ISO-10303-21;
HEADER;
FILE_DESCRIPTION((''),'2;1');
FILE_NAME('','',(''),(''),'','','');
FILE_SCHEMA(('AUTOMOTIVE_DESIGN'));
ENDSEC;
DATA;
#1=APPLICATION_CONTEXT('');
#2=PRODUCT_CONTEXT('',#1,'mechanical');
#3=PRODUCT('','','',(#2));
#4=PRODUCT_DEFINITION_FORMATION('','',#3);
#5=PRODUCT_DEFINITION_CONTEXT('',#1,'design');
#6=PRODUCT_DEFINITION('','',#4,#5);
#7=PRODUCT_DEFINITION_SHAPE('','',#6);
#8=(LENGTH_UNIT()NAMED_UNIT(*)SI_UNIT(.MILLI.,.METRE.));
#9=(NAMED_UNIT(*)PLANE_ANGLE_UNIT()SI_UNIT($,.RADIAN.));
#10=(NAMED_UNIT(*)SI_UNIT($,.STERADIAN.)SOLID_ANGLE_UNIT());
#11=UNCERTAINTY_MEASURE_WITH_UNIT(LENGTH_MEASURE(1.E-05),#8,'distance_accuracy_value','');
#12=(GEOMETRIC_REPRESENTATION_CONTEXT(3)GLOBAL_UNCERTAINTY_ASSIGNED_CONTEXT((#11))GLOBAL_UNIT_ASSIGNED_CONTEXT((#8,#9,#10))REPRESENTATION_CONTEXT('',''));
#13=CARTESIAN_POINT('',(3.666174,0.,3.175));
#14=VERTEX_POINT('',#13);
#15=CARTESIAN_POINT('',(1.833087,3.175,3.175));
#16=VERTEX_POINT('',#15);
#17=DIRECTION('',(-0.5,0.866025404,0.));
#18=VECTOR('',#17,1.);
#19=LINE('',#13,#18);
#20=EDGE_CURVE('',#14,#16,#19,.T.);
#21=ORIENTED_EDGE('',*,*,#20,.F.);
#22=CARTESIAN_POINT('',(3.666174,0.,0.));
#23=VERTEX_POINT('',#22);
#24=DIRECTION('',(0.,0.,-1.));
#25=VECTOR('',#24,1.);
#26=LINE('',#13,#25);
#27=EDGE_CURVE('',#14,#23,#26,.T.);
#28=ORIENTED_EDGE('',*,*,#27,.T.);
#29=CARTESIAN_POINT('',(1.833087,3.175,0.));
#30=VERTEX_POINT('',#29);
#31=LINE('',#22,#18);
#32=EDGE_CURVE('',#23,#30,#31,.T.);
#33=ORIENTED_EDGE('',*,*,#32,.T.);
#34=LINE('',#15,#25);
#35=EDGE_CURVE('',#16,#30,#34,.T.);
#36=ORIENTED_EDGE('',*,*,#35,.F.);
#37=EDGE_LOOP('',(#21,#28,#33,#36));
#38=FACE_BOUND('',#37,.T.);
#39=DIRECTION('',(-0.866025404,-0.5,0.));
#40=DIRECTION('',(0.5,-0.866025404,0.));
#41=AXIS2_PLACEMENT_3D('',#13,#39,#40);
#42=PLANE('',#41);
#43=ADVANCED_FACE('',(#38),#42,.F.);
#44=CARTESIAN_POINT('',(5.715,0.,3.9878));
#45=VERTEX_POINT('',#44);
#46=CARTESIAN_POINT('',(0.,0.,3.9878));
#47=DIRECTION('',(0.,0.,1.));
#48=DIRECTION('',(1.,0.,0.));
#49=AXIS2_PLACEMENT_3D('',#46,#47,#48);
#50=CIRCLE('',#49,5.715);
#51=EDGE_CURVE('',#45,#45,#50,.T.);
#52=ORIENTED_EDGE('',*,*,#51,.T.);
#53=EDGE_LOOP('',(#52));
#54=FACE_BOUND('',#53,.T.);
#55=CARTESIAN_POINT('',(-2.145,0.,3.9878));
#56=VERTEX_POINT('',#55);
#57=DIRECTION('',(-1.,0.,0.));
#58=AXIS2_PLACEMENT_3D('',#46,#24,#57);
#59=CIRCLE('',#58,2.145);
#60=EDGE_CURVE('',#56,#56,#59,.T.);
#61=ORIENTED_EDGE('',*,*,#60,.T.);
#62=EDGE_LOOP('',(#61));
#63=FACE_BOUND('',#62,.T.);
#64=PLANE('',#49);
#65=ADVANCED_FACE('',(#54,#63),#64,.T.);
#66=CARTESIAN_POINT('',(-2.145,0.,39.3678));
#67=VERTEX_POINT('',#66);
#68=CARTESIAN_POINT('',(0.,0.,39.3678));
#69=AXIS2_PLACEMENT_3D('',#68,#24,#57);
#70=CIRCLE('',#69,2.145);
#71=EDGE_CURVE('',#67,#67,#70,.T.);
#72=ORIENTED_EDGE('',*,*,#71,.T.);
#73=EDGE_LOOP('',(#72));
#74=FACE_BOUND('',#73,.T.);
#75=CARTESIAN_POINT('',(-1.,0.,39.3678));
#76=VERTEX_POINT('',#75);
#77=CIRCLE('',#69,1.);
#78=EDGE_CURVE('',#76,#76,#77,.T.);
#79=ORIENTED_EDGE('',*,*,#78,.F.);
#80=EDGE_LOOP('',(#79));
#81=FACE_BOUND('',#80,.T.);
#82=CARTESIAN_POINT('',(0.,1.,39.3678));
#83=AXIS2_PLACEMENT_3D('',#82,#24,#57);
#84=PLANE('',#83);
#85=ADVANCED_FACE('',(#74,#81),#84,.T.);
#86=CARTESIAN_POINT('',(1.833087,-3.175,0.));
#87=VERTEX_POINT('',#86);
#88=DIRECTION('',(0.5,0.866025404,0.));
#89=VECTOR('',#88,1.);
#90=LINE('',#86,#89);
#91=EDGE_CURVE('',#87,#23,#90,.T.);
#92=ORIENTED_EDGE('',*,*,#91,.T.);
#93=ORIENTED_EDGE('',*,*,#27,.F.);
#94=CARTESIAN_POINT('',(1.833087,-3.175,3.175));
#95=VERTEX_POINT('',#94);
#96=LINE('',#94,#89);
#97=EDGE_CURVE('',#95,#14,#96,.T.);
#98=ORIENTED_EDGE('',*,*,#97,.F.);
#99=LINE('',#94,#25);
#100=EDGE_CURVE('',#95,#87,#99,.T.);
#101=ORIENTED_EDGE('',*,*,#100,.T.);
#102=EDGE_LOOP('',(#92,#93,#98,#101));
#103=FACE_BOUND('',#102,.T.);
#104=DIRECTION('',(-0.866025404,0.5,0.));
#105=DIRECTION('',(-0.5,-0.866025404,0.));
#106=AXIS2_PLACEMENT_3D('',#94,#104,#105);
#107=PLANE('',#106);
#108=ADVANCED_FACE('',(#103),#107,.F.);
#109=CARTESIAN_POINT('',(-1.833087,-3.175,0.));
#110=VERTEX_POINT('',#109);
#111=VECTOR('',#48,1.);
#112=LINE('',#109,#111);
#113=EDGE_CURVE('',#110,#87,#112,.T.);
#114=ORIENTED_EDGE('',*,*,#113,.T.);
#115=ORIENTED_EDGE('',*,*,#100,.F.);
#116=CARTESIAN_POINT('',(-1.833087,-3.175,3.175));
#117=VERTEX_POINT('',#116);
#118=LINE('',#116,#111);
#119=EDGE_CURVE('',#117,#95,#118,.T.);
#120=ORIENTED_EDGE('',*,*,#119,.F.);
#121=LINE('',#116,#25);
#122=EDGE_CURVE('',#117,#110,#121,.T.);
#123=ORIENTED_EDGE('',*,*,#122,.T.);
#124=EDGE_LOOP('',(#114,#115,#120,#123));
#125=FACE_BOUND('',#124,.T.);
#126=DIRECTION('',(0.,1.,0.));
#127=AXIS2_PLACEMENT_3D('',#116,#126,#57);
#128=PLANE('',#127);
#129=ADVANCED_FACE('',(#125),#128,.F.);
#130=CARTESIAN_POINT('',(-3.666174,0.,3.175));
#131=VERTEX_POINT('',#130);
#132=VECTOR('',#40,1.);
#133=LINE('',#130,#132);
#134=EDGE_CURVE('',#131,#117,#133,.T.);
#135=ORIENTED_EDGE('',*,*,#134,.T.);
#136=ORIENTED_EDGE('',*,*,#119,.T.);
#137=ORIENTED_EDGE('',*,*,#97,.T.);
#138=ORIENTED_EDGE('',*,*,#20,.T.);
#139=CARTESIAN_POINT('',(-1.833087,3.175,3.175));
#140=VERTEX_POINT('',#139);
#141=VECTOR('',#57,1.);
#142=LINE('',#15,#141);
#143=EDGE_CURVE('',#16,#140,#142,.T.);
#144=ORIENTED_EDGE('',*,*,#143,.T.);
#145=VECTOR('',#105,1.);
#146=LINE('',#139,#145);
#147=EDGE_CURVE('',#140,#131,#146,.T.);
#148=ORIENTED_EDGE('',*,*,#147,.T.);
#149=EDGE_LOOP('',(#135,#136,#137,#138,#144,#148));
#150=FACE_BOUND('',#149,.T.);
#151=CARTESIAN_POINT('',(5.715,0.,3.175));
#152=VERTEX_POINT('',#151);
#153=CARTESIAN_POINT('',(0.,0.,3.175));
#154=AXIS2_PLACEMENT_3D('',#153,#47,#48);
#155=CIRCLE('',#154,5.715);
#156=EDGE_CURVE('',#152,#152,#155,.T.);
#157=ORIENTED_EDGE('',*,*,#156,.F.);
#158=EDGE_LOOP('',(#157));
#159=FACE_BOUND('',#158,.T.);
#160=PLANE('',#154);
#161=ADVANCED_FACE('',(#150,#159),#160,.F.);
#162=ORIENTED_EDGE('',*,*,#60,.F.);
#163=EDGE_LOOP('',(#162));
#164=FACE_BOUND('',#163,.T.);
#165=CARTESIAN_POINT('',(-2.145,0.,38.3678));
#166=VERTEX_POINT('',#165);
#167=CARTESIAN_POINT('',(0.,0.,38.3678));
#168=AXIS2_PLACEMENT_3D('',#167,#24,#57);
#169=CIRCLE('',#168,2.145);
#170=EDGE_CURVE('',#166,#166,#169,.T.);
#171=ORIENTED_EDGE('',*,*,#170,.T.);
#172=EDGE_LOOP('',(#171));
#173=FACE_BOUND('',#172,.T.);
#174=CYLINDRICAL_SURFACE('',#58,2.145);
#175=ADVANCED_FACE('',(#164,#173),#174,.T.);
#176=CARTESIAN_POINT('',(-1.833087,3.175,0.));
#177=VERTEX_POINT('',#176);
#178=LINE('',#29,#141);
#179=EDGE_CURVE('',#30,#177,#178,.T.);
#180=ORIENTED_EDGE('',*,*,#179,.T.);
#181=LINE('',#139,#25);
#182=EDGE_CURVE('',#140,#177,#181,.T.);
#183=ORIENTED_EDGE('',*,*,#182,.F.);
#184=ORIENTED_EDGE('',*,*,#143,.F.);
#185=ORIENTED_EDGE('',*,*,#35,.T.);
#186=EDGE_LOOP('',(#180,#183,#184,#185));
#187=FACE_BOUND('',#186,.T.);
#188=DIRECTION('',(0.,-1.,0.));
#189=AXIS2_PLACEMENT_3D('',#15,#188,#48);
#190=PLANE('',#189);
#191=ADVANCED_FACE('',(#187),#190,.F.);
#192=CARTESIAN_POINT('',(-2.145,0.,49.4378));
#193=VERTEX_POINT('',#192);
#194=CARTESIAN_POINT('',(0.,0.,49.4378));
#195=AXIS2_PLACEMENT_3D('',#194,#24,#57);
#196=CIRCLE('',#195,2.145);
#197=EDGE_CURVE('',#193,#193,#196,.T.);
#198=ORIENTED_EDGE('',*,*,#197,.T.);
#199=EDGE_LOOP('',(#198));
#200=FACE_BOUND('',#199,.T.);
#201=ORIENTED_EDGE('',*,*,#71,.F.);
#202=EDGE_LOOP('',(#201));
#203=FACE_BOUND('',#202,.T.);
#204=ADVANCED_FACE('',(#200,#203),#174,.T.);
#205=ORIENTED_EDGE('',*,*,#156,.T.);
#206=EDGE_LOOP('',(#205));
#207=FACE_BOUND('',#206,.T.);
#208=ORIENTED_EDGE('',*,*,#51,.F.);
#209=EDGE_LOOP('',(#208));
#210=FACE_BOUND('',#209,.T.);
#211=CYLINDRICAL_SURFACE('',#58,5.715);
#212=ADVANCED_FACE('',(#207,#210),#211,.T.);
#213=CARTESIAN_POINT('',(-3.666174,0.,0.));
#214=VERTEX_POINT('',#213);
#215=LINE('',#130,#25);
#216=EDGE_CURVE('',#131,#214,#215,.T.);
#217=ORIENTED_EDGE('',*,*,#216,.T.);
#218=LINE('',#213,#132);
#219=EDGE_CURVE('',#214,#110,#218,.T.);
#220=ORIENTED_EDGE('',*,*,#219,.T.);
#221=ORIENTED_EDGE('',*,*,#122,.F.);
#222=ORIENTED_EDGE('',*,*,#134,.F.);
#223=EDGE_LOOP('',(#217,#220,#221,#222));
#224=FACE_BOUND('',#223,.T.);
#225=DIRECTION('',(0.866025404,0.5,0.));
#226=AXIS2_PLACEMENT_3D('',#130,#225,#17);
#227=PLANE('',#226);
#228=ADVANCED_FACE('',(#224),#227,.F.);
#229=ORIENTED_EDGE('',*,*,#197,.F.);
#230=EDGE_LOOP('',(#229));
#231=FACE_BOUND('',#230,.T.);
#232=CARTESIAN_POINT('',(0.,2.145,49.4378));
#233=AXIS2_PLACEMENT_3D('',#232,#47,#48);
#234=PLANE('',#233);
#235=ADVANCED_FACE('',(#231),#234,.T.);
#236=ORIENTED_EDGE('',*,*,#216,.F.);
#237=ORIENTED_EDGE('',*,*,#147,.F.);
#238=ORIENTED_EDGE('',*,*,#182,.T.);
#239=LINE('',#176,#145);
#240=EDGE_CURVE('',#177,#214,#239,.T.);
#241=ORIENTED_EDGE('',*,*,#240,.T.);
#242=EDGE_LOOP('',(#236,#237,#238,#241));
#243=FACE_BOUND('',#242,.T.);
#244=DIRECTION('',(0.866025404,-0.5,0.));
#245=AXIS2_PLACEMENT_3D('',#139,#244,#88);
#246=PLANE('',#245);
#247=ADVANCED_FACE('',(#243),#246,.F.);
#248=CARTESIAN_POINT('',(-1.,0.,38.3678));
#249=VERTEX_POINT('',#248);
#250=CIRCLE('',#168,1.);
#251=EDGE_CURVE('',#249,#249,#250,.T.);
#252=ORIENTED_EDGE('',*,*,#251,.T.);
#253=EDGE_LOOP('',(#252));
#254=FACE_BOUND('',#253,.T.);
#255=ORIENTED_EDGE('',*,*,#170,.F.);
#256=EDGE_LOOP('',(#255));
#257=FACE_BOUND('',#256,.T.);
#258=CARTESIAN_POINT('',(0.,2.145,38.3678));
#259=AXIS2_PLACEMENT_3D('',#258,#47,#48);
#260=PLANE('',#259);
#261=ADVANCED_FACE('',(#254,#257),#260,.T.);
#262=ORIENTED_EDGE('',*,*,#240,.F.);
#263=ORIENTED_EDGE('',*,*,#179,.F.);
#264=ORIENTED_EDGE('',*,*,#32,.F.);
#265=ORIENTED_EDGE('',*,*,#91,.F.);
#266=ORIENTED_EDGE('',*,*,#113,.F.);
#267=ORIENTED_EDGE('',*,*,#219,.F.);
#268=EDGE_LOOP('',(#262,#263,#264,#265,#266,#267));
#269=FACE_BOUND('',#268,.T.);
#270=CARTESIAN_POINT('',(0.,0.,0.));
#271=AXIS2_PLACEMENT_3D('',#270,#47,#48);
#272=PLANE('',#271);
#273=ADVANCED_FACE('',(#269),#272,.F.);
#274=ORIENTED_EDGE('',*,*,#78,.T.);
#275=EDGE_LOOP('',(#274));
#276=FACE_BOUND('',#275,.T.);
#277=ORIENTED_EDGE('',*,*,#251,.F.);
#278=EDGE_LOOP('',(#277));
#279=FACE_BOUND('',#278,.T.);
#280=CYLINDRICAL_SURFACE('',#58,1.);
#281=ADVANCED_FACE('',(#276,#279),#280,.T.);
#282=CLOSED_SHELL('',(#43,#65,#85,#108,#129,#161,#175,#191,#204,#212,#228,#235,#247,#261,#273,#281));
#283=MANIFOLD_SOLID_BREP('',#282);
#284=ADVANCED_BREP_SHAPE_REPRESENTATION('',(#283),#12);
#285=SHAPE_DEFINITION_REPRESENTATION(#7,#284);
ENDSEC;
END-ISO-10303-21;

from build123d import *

# Parameters (mm, degrees)
BOSS_EXTRUDE1_DEPTH = 3.175
SKETCH2_R           = 5.715
BOSS_EXTRUDE2_DEPTH = 0.8128


with BuildPart() as part:
    # Sketch1 → Boss-Extrude1 (new body)
    with BuildSketch(Plane.XY):
        Polygon((3.666174209, 0), (1.833087105, 3.175), (-1.833087105, 3.175), (-3.666174209, 0), (-1.833087105, -3.175), (1.833087105, -3.175), align=None)
    extrude(amount=BOSS_EXTRUDE1_DEPTH)

    # Sketch2 → Boss-Extrude2 (add)
    with BuildSketch(Plane.XY.offset(3.175)):
        Circle(SKETCH2_R)
    extrude(amount=BOSS_EXTRUDE2_DEPTH)

    # Sketch3 → Revolve1 (revolve)
    with BuildSketch(Plane(origin=(0, 0, 0), x_dir=(0, 0, -1), z_dir=(1, 0, 0)), mode=Mode.PRIVATE) as revolve1_sk:
        Polygon((-3.9878, 0), (-49.4378, 0), (-49.4378, 2.145), (-39.3678, 2.145), (-39.3678, 1), (-38.3678, 1), (-38.3678, 2.145), (-3.9878, 2.145), align=None)
    revolve(revolve1_sk.sketch.rotate(Axis((0, 0, 3.9878), (0, 0, 1)), 90), axis=Axis((0, 0, 3.9878), (0, 0, 1)))


solid = part.part
